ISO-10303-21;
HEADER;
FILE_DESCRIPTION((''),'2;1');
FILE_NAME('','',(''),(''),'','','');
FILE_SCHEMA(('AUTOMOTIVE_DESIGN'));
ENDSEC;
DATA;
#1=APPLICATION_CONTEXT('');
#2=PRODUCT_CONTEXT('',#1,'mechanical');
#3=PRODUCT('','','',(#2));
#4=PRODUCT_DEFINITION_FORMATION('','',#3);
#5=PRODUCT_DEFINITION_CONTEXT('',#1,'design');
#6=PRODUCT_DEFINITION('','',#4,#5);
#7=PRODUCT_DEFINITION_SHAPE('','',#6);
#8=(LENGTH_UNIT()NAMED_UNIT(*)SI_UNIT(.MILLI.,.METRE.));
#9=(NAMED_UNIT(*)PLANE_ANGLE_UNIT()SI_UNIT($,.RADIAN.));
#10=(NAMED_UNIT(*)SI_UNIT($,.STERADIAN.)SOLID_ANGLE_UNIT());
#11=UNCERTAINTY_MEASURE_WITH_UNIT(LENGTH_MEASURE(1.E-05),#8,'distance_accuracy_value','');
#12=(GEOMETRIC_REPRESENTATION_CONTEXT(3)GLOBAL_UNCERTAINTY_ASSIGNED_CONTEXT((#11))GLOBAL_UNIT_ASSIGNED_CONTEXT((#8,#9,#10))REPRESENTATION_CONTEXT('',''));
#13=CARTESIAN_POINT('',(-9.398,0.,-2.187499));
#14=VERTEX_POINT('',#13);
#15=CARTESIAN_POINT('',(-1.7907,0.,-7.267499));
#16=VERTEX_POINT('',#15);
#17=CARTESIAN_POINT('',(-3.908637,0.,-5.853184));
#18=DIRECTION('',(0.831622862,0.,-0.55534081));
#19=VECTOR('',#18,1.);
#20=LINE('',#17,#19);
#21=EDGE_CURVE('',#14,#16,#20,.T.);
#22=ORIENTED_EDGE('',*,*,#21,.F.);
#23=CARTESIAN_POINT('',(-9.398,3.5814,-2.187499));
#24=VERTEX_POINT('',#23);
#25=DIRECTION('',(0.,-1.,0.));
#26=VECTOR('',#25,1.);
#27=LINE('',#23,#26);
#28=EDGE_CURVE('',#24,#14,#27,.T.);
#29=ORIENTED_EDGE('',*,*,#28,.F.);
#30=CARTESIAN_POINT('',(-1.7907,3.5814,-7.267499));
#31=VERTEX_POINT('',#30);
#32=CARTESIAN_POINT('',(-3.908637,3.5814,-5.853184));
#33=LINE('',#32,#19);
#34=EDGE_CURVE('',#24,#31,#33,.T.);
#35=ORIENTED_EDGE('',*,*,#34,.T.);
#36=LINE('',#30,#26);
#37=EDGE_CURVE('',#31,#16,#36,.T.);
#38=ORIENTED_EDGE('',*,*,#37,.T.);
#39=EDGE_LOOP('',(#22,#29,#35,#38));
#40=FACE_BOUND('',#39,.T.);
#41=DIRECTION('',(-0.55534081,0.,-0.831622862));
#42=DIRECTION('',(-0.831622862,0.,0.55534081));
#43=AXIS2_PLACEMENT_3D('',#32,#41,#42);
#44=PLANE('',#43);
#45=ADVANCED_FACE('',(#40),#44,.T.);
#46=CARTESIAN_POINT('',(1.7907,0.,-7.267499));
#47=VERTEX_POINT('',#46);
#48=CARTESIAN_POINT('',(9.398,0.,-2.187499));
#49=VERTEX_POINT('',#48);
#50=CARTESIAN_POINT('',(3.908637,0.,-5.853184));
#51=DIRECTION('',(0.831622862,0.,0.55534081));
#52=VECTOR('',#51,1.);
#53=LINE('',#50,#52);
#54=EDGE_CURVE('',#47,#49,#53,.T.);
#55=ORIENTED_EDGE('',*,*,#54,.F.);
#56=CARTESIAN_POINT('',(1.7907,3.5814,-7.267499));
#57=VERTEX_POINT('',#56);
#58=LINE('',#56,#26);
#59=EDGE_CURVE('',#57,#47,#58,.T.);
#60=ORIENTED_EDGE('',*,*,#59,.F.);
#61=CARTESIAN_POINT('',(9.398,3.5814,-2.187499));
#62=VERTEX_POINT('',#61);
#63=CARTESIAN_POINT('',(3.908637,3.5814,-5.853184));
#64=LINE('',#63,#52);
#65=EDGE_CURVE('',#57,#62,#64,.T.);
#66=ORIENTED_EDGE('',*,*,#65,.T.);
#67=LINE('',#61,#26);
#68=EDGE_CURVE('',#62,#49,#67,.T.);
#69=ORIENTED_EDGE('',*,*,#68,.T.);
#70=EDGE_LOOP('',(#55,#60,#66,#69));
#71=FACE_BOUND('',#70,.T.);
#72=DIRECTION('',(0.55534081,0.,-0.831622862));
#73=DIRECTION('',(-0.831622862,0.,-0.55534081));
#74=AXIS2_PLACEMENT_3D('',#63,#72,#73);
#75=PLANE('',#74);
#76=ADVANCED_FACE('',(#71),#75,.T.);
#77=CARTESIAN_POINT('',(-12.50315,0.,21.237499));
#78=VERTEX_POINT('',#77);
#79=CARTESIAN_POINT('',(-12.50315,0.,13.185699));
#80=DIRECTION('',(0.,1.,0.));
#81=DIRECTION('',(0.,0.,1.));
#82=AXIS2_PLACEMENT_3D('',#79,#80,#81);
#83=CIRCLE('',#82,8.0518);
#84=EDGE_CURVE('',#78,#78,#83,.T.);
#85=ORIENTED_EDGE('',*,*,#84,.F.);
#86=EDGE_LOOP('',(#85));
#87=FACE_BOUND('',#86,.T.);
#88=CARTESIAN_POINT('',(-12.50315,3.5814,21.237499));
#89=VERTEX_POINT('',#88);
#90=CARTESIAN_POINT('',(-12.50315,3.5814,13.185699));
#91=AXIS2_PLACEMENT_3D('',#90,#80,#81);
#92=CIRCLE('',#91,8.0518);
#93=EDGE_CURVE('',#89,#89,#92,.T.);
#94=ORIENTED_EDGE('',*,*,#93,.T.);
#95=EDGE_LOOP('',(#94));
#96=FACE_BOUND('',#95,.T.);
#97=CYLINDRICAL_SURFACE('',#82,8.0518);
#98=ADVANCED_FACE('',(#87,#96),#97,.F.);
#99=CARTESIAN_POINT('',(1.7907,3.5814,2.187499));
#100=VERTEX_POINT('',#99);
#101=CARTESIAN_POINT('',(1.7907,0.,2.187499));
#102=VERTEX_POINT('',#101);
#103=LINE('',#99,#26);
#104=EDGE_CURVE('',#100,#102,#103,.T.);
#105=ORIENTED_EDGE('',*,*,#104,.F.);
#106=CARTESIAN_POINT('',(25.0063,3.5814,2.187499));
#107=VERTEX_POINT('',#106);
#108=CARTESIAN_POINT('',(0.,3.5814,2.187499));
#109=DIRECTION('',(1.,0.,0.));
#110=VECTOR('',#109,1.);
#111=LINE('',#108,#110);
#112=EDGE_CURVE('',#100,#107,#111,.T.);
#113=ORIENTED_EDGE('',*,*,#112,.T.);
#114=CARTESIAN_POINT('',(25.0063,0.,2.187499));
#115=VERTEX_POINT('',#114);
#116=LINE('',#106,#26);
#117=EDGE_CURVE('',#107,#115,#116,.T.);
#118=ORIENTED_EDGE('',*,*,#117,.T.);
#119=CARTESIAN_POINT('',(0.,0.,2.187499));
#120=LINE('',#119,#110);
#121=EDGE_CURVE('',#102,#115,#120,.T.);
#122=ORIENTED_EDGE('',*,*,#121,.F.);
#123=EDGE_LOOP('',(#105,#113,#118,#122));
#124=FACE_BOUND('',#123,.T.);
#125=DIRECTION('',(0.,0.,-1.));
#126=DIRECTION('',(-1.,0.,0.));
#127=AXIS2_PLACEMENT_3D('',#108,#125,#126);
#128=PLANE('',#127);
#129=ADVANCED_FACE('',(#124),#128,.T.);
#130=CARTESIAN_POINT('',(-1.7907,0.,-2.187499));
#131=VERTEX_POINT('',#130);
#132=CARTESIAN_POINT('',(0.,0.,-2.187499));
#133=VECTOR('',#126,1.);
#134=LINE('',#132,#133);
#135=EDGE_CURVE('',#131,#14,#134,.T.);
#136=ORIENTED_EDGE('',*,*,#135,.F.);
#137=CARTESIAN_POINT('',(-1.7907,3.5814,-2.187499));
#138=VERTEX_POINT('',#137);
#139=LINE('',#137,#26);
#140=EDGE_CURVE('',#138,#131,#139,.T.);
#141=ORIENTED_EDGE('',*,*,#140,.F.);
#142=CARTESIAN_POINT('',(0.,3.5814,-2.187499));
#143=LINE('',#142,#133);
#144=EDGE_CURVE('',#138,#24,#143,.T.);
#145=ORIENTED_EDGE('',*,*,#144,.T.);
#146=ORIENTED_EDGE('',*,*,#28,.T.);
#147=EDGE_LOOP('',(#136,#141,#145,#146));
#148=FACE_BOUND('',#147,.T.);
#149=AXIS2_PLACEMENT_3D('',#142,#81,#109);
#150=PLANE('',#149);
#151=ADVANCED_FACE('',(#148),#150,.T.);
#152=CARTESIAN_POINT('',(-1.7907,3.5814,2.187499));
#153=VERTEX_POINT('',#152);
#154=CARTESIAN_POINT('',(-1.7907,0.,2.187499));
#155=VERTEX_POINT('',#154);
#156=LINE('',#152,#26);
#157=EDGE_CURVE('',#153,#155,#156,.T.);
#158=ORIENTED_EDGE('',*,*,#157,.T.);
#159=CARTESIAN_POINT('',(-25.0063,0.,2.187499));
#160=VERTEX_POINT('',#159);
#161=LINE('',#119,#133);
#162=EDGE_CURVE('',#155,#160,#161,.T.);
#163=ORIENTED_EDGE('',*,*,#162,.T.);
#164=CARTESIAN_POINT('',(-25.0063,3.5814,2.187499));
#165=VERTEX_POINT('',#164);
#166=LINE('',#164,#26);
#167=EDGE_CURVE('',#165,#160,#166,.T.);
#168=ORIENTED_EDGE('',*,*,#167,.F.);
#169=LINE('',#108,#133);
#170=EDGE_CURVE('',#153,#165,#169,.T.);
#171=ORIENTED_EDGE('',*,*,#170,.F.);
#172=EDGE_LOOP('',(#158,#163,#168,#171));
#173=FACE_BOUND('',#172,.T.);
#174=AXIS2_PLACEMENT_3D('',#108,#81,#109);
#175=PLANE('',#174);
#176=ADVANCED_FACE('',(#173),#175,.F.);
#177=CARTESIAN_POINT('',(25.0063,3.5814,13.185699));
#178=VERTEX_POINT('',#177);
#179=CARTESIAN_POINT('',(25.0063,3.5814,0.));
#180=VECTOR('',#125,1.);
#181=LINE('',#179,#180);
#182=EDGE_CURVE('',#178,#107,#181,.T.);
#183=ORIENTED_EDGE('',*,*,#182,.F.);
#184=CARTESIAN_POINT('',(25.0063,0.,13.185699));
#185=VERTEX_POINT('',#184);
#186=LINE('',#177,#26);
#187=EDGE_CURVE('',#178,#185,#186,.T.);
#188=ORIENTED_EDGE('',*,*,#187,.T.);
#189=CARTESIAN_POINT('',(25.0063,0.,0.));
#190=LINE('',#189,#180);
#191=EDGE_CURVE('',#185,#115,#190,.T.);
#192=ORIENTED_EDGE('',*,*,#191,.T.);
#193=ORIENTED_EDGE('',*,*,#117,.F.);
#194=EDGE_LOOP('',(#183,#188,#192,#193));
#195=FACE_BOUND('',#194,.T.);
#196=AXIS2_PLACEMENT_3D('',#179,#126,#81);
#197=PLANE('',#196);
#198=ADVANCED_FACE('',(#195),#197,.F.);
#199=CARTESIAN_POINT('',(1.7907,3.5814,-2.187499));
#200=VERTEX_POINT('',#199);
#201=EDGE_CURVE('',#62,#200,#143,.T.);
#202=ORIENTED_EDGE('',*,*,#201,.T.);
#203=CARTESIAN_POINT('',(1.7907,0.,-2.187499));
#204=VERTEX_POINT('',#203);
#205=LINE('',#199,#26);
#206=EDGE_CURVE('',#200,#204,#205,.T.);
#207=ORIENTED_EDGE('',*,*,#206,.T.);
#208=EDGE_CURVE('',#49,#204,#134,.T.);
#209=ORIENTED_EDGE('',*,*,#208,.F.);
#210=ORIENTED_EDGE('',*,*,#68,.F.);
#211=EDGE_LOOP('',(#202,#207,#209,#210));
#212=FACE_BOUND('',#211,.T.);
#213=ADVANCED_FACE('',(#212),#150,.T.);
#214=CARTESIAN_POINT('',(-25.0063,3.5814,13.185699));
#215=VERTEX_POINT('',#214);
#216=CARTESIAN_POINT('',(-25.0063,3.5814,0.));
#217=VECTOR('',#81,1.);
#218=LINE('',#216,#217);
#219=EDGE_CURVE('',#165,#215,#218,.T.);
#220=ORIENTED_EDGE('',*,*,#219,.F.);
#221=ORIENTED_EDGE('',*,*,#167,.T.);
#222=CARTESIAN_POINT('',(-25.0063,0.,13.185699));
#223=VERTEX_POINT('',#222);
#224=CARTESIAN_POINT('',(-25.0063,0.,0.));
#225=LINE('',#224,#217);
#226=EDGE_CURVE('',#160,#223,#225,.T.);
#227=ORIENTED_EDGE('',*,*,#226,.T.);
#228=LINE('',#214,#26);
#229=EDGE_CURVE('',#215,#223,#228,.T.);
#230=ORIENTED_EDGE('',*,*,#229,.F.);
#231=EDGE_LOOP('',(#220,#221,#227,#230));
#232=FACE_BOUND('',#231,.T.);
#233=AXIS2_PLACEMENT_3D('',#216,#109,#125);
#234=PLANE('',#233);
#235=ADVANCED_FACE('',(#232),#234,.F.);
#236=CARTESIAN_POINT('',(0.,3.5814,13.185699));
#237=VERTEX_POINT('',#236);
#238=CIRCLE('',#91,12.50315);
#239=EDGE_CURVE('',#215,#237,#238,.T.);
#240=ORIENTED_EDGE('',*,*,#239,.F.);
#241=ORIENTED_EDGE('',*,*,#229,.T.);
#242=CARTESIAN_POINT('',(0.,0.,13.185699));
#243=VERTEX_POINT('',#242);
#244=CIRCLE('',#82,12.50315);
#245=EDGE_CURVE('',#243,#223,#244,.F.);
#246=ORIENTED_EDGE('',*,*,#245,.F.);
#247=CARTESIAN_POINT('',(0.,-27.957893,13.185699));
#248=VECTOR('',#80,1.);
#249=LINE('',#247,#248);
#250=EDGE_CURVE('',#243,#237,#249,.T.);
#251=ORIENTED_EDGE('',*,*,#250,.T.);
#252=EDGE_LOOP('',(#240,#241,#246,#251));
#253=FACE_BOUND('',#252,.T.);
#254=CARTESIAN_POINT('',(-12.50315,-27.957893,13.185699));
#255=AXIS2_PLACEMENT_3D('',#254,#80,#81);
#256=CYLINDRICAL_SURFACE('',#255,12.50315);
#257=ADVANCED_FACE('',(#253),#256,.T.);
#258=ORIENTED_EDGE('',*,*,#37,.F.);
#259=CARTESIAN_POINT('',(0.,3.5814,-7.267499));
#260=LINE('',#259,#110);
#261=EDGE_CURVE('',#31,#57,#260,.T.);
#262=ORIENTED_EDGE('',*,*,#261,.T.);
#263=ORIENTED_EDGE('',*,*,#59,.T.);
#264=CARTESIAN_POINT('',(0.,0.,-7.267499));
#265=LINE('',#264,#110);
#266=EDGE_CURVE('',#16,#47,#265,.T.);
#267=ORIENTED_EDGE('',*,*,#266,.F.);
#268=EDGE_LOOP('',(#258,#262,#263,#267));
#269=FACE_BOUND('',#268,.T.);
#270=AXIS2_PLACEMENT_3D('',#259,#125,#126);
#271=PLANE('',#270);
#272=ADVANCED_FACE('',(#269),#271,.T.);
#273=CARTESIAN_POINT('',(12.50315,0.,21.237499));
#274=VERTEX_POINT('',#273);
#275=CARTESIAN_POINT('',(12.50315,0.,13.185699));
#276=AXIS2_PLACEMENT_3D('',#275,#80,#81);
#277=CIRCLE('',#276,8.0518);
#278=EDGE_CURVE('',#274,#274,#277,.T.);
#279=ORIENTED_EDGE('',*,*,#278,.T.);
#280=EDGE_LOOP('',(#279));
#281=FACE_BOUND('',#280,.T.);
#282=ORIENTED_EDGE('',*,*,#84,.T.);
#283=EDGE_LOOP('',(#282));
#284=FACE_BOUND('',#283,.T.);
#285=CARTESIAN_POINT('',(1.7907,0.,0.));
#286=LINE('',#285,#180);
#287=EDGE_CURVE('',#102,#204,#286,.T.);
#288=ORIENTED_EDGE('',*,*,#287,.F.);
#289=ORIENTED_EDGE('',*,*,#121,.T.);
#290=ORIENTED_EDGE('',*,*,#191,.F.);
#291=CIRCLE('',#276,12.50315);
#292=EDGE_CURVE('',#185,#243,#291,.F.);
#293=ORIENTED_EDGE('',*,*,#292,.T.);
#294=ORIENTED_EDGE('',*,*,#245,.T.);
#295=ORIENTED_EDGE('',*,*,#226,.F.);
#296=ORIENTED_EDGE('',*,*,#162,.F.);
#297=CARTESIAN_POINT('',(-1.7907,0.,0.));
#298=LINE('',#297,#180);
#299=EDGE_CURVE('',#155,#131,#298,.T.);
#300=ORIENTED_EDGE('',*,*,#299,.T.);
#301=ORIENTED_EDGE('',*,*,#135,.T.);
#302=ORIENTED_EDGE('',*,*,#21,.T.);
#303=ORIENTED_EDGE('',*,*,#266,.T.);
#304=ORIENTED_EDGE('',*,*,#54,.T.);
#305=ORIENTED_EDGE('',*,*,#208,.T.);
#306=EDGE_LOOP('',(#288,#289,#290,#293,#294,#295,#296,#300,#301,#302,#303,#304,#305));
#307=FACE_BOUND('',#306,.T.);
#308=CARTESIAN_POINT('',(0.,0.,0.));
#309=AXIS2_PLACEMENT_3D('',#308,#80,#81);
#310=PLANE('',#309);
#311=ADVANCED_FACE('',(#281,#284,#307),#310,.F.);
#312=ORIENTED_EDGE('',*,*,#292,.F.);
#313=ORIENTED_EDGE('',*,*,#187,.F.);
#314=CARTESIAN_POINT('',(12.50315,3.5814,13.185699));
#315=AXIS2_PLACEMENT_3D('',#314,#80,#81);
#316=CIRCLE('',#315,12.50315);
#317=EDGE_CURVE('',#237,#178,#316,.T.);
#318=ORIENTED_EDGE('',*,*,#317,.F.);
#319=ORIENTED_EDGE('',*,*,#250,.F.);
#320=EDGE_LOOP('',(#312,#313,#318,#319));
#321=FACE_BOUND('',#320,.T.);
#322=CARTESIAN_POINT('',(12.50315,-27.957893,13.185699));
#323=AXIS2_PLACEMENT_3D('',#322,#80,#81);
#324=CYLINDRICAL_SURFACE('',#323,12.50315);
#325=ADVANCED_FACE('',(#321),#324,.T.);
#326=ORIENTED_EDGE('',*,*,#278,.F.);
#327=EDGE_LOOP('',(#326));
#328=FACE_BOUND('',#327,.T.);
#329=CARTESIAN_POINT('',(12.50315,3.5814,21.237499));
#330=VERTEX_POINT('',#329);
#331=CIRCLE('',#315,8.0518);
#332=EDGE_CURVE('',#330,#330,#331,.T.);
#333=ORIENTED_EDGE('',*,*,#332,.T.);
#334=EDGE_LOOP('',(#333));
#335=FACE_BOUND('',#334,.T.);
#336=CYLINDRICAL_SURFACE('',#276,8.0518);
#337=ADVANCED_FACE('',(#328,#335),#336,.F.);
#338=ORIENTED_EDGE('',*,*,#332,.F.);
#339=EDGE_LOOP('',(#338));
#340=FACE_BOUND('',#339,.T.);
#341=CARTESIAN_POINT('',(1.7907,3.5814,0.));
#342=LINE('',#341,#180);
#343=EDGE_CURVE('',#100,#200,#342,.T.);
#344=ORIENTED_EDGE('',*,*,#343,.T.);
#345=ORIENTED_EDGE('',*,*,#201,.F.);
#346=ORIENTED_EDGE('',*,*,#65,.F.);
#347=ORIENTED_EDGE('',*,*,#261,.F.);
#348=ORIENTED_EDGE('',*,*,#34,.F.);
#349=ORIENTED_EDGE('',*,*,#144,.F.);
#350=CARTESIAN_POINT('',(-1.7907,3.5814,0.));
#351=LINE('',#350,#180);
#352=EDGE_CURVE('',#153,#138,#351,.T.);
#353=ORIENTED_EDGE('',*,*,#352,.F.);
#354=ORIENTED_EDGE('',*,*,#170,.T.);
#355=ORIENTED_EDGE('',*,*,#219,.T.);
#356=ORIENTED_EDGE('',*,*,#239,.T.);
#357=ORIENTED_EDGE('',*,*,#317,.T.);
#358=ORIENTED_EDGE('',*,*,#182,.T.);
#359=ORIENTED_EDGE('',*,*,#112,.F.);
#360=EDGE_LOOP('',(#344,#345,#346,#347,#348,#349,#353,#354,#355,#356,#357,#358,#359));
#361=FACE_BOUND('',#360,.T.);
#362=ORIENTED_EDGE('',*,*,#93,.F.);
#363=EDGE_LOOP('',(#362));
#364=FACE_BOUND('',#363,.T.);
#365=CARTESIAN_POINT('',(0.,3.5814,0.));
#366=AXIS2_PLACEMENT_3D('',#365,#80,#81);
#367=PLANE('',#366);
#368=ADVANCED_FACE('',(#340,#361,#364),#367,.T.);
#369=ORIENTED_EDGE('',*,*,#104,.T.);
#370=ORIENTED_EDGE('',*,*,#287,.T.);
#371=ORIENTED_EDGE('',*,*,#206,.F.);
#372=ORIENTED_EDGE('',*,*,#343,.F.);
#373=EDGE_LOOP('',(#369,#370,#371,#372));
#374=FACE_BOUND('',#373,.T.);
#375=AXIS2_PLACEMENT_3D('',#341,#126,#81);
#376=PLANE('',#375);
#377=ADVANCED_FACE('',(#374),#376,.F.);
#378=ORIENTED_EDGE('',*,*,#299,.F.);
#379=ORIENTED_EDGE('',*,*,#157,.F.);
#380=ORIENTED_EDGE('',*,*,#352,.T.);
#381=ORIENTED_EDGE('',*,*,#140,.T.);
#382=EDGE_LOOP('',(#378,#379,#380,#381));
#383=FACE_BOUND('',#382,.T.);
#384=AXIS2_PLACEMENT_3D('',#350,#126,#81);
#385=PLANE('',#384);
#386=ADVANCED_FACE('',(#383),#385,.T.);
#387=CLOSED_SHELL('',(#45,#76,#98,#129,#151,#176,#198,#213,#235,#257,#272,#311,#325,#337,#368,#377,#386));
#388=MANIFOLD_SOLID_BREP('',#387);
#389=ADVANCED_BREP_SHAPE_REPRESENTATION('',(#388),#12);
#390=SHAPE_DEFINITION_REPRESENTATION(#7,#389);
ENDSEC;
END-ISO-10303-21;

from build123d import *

# Parameters (mm, degrees)
BOSS_EXTRUDE1_DEPTH = 3.5814
BOSS_EXTRUDE2_DEPTH = 3.5814
SKETCH4_R           = 8.0518
CUT_EXTRUDE2_DEPTH  = 4.5814


with BuildPart() as part:
    # Sketch1 → Boss-Extrude1 (new body)
    with BuildSketch(Plane(origin=(0, 0, 0), x_dir=(1, 0, 0), z_dir=(0, 1, 0))):
        Polygon((-25.0063, -13.1856988), (25.0063, -13.1856988), (25.0063, -2.1874988), (1.7907, -2.1874988), (1.7907, 2.1874988), (9.398, 2.1874988), (1.7907, 7.2674988), (-1.7907, 7.2674988), (-9.398, 2.1874988), (-1.7907, 2.1874988), (-1.7907, -2.1874988), (-25.0063, -2.1874988), align=None)
    extrude(amount=BOSS_EXTRUDE1_DEPTH)

    # Sketch3 → Boss-Extrude2 (add)
    with BuildSketch(Plane(origin=(0, 3.5814, 0), x_dir=(1, 0, 0), z_dir=(0, 1, 0))):
        with BuildLine():
            Line((0, -13.1856988), (-25.0063, -13.1856988))
            ThreePointArc((-25.0063, -13.1856988), (-12.50315, -25.6888488), (0, -13.1856988))
        make_face()
        with BuildLine():
            Line((25.0063, -13.1856988), (0, -13.1856988))
            ThreePointArc((0, -13.1856988), (12.50315, -25.6888488), (25.0063, -13.1856988))
        make_face()
    extrude(amount=-BOSS_EXTRUDE2_DEPTH)

    # Sketch4 → Cut-Extrude2 (cut, through all)
    with BuildSketch(Plane(origin=(0, 3.5814, 0), x_dir=(1, 0, 0), z_dir=(0, 1, 0))):
        with Locations((-12.50315, -13.1856988)):
            Circle(SKETCH4_R)
        with Locations((12.50315, -13.1856988)):
            Circle(SKETCH4_R)
    extrude(amount=-CUT_EXTRUDE2_DEPTH, mode=Mode.SUBTRACT)


solid = part.part
